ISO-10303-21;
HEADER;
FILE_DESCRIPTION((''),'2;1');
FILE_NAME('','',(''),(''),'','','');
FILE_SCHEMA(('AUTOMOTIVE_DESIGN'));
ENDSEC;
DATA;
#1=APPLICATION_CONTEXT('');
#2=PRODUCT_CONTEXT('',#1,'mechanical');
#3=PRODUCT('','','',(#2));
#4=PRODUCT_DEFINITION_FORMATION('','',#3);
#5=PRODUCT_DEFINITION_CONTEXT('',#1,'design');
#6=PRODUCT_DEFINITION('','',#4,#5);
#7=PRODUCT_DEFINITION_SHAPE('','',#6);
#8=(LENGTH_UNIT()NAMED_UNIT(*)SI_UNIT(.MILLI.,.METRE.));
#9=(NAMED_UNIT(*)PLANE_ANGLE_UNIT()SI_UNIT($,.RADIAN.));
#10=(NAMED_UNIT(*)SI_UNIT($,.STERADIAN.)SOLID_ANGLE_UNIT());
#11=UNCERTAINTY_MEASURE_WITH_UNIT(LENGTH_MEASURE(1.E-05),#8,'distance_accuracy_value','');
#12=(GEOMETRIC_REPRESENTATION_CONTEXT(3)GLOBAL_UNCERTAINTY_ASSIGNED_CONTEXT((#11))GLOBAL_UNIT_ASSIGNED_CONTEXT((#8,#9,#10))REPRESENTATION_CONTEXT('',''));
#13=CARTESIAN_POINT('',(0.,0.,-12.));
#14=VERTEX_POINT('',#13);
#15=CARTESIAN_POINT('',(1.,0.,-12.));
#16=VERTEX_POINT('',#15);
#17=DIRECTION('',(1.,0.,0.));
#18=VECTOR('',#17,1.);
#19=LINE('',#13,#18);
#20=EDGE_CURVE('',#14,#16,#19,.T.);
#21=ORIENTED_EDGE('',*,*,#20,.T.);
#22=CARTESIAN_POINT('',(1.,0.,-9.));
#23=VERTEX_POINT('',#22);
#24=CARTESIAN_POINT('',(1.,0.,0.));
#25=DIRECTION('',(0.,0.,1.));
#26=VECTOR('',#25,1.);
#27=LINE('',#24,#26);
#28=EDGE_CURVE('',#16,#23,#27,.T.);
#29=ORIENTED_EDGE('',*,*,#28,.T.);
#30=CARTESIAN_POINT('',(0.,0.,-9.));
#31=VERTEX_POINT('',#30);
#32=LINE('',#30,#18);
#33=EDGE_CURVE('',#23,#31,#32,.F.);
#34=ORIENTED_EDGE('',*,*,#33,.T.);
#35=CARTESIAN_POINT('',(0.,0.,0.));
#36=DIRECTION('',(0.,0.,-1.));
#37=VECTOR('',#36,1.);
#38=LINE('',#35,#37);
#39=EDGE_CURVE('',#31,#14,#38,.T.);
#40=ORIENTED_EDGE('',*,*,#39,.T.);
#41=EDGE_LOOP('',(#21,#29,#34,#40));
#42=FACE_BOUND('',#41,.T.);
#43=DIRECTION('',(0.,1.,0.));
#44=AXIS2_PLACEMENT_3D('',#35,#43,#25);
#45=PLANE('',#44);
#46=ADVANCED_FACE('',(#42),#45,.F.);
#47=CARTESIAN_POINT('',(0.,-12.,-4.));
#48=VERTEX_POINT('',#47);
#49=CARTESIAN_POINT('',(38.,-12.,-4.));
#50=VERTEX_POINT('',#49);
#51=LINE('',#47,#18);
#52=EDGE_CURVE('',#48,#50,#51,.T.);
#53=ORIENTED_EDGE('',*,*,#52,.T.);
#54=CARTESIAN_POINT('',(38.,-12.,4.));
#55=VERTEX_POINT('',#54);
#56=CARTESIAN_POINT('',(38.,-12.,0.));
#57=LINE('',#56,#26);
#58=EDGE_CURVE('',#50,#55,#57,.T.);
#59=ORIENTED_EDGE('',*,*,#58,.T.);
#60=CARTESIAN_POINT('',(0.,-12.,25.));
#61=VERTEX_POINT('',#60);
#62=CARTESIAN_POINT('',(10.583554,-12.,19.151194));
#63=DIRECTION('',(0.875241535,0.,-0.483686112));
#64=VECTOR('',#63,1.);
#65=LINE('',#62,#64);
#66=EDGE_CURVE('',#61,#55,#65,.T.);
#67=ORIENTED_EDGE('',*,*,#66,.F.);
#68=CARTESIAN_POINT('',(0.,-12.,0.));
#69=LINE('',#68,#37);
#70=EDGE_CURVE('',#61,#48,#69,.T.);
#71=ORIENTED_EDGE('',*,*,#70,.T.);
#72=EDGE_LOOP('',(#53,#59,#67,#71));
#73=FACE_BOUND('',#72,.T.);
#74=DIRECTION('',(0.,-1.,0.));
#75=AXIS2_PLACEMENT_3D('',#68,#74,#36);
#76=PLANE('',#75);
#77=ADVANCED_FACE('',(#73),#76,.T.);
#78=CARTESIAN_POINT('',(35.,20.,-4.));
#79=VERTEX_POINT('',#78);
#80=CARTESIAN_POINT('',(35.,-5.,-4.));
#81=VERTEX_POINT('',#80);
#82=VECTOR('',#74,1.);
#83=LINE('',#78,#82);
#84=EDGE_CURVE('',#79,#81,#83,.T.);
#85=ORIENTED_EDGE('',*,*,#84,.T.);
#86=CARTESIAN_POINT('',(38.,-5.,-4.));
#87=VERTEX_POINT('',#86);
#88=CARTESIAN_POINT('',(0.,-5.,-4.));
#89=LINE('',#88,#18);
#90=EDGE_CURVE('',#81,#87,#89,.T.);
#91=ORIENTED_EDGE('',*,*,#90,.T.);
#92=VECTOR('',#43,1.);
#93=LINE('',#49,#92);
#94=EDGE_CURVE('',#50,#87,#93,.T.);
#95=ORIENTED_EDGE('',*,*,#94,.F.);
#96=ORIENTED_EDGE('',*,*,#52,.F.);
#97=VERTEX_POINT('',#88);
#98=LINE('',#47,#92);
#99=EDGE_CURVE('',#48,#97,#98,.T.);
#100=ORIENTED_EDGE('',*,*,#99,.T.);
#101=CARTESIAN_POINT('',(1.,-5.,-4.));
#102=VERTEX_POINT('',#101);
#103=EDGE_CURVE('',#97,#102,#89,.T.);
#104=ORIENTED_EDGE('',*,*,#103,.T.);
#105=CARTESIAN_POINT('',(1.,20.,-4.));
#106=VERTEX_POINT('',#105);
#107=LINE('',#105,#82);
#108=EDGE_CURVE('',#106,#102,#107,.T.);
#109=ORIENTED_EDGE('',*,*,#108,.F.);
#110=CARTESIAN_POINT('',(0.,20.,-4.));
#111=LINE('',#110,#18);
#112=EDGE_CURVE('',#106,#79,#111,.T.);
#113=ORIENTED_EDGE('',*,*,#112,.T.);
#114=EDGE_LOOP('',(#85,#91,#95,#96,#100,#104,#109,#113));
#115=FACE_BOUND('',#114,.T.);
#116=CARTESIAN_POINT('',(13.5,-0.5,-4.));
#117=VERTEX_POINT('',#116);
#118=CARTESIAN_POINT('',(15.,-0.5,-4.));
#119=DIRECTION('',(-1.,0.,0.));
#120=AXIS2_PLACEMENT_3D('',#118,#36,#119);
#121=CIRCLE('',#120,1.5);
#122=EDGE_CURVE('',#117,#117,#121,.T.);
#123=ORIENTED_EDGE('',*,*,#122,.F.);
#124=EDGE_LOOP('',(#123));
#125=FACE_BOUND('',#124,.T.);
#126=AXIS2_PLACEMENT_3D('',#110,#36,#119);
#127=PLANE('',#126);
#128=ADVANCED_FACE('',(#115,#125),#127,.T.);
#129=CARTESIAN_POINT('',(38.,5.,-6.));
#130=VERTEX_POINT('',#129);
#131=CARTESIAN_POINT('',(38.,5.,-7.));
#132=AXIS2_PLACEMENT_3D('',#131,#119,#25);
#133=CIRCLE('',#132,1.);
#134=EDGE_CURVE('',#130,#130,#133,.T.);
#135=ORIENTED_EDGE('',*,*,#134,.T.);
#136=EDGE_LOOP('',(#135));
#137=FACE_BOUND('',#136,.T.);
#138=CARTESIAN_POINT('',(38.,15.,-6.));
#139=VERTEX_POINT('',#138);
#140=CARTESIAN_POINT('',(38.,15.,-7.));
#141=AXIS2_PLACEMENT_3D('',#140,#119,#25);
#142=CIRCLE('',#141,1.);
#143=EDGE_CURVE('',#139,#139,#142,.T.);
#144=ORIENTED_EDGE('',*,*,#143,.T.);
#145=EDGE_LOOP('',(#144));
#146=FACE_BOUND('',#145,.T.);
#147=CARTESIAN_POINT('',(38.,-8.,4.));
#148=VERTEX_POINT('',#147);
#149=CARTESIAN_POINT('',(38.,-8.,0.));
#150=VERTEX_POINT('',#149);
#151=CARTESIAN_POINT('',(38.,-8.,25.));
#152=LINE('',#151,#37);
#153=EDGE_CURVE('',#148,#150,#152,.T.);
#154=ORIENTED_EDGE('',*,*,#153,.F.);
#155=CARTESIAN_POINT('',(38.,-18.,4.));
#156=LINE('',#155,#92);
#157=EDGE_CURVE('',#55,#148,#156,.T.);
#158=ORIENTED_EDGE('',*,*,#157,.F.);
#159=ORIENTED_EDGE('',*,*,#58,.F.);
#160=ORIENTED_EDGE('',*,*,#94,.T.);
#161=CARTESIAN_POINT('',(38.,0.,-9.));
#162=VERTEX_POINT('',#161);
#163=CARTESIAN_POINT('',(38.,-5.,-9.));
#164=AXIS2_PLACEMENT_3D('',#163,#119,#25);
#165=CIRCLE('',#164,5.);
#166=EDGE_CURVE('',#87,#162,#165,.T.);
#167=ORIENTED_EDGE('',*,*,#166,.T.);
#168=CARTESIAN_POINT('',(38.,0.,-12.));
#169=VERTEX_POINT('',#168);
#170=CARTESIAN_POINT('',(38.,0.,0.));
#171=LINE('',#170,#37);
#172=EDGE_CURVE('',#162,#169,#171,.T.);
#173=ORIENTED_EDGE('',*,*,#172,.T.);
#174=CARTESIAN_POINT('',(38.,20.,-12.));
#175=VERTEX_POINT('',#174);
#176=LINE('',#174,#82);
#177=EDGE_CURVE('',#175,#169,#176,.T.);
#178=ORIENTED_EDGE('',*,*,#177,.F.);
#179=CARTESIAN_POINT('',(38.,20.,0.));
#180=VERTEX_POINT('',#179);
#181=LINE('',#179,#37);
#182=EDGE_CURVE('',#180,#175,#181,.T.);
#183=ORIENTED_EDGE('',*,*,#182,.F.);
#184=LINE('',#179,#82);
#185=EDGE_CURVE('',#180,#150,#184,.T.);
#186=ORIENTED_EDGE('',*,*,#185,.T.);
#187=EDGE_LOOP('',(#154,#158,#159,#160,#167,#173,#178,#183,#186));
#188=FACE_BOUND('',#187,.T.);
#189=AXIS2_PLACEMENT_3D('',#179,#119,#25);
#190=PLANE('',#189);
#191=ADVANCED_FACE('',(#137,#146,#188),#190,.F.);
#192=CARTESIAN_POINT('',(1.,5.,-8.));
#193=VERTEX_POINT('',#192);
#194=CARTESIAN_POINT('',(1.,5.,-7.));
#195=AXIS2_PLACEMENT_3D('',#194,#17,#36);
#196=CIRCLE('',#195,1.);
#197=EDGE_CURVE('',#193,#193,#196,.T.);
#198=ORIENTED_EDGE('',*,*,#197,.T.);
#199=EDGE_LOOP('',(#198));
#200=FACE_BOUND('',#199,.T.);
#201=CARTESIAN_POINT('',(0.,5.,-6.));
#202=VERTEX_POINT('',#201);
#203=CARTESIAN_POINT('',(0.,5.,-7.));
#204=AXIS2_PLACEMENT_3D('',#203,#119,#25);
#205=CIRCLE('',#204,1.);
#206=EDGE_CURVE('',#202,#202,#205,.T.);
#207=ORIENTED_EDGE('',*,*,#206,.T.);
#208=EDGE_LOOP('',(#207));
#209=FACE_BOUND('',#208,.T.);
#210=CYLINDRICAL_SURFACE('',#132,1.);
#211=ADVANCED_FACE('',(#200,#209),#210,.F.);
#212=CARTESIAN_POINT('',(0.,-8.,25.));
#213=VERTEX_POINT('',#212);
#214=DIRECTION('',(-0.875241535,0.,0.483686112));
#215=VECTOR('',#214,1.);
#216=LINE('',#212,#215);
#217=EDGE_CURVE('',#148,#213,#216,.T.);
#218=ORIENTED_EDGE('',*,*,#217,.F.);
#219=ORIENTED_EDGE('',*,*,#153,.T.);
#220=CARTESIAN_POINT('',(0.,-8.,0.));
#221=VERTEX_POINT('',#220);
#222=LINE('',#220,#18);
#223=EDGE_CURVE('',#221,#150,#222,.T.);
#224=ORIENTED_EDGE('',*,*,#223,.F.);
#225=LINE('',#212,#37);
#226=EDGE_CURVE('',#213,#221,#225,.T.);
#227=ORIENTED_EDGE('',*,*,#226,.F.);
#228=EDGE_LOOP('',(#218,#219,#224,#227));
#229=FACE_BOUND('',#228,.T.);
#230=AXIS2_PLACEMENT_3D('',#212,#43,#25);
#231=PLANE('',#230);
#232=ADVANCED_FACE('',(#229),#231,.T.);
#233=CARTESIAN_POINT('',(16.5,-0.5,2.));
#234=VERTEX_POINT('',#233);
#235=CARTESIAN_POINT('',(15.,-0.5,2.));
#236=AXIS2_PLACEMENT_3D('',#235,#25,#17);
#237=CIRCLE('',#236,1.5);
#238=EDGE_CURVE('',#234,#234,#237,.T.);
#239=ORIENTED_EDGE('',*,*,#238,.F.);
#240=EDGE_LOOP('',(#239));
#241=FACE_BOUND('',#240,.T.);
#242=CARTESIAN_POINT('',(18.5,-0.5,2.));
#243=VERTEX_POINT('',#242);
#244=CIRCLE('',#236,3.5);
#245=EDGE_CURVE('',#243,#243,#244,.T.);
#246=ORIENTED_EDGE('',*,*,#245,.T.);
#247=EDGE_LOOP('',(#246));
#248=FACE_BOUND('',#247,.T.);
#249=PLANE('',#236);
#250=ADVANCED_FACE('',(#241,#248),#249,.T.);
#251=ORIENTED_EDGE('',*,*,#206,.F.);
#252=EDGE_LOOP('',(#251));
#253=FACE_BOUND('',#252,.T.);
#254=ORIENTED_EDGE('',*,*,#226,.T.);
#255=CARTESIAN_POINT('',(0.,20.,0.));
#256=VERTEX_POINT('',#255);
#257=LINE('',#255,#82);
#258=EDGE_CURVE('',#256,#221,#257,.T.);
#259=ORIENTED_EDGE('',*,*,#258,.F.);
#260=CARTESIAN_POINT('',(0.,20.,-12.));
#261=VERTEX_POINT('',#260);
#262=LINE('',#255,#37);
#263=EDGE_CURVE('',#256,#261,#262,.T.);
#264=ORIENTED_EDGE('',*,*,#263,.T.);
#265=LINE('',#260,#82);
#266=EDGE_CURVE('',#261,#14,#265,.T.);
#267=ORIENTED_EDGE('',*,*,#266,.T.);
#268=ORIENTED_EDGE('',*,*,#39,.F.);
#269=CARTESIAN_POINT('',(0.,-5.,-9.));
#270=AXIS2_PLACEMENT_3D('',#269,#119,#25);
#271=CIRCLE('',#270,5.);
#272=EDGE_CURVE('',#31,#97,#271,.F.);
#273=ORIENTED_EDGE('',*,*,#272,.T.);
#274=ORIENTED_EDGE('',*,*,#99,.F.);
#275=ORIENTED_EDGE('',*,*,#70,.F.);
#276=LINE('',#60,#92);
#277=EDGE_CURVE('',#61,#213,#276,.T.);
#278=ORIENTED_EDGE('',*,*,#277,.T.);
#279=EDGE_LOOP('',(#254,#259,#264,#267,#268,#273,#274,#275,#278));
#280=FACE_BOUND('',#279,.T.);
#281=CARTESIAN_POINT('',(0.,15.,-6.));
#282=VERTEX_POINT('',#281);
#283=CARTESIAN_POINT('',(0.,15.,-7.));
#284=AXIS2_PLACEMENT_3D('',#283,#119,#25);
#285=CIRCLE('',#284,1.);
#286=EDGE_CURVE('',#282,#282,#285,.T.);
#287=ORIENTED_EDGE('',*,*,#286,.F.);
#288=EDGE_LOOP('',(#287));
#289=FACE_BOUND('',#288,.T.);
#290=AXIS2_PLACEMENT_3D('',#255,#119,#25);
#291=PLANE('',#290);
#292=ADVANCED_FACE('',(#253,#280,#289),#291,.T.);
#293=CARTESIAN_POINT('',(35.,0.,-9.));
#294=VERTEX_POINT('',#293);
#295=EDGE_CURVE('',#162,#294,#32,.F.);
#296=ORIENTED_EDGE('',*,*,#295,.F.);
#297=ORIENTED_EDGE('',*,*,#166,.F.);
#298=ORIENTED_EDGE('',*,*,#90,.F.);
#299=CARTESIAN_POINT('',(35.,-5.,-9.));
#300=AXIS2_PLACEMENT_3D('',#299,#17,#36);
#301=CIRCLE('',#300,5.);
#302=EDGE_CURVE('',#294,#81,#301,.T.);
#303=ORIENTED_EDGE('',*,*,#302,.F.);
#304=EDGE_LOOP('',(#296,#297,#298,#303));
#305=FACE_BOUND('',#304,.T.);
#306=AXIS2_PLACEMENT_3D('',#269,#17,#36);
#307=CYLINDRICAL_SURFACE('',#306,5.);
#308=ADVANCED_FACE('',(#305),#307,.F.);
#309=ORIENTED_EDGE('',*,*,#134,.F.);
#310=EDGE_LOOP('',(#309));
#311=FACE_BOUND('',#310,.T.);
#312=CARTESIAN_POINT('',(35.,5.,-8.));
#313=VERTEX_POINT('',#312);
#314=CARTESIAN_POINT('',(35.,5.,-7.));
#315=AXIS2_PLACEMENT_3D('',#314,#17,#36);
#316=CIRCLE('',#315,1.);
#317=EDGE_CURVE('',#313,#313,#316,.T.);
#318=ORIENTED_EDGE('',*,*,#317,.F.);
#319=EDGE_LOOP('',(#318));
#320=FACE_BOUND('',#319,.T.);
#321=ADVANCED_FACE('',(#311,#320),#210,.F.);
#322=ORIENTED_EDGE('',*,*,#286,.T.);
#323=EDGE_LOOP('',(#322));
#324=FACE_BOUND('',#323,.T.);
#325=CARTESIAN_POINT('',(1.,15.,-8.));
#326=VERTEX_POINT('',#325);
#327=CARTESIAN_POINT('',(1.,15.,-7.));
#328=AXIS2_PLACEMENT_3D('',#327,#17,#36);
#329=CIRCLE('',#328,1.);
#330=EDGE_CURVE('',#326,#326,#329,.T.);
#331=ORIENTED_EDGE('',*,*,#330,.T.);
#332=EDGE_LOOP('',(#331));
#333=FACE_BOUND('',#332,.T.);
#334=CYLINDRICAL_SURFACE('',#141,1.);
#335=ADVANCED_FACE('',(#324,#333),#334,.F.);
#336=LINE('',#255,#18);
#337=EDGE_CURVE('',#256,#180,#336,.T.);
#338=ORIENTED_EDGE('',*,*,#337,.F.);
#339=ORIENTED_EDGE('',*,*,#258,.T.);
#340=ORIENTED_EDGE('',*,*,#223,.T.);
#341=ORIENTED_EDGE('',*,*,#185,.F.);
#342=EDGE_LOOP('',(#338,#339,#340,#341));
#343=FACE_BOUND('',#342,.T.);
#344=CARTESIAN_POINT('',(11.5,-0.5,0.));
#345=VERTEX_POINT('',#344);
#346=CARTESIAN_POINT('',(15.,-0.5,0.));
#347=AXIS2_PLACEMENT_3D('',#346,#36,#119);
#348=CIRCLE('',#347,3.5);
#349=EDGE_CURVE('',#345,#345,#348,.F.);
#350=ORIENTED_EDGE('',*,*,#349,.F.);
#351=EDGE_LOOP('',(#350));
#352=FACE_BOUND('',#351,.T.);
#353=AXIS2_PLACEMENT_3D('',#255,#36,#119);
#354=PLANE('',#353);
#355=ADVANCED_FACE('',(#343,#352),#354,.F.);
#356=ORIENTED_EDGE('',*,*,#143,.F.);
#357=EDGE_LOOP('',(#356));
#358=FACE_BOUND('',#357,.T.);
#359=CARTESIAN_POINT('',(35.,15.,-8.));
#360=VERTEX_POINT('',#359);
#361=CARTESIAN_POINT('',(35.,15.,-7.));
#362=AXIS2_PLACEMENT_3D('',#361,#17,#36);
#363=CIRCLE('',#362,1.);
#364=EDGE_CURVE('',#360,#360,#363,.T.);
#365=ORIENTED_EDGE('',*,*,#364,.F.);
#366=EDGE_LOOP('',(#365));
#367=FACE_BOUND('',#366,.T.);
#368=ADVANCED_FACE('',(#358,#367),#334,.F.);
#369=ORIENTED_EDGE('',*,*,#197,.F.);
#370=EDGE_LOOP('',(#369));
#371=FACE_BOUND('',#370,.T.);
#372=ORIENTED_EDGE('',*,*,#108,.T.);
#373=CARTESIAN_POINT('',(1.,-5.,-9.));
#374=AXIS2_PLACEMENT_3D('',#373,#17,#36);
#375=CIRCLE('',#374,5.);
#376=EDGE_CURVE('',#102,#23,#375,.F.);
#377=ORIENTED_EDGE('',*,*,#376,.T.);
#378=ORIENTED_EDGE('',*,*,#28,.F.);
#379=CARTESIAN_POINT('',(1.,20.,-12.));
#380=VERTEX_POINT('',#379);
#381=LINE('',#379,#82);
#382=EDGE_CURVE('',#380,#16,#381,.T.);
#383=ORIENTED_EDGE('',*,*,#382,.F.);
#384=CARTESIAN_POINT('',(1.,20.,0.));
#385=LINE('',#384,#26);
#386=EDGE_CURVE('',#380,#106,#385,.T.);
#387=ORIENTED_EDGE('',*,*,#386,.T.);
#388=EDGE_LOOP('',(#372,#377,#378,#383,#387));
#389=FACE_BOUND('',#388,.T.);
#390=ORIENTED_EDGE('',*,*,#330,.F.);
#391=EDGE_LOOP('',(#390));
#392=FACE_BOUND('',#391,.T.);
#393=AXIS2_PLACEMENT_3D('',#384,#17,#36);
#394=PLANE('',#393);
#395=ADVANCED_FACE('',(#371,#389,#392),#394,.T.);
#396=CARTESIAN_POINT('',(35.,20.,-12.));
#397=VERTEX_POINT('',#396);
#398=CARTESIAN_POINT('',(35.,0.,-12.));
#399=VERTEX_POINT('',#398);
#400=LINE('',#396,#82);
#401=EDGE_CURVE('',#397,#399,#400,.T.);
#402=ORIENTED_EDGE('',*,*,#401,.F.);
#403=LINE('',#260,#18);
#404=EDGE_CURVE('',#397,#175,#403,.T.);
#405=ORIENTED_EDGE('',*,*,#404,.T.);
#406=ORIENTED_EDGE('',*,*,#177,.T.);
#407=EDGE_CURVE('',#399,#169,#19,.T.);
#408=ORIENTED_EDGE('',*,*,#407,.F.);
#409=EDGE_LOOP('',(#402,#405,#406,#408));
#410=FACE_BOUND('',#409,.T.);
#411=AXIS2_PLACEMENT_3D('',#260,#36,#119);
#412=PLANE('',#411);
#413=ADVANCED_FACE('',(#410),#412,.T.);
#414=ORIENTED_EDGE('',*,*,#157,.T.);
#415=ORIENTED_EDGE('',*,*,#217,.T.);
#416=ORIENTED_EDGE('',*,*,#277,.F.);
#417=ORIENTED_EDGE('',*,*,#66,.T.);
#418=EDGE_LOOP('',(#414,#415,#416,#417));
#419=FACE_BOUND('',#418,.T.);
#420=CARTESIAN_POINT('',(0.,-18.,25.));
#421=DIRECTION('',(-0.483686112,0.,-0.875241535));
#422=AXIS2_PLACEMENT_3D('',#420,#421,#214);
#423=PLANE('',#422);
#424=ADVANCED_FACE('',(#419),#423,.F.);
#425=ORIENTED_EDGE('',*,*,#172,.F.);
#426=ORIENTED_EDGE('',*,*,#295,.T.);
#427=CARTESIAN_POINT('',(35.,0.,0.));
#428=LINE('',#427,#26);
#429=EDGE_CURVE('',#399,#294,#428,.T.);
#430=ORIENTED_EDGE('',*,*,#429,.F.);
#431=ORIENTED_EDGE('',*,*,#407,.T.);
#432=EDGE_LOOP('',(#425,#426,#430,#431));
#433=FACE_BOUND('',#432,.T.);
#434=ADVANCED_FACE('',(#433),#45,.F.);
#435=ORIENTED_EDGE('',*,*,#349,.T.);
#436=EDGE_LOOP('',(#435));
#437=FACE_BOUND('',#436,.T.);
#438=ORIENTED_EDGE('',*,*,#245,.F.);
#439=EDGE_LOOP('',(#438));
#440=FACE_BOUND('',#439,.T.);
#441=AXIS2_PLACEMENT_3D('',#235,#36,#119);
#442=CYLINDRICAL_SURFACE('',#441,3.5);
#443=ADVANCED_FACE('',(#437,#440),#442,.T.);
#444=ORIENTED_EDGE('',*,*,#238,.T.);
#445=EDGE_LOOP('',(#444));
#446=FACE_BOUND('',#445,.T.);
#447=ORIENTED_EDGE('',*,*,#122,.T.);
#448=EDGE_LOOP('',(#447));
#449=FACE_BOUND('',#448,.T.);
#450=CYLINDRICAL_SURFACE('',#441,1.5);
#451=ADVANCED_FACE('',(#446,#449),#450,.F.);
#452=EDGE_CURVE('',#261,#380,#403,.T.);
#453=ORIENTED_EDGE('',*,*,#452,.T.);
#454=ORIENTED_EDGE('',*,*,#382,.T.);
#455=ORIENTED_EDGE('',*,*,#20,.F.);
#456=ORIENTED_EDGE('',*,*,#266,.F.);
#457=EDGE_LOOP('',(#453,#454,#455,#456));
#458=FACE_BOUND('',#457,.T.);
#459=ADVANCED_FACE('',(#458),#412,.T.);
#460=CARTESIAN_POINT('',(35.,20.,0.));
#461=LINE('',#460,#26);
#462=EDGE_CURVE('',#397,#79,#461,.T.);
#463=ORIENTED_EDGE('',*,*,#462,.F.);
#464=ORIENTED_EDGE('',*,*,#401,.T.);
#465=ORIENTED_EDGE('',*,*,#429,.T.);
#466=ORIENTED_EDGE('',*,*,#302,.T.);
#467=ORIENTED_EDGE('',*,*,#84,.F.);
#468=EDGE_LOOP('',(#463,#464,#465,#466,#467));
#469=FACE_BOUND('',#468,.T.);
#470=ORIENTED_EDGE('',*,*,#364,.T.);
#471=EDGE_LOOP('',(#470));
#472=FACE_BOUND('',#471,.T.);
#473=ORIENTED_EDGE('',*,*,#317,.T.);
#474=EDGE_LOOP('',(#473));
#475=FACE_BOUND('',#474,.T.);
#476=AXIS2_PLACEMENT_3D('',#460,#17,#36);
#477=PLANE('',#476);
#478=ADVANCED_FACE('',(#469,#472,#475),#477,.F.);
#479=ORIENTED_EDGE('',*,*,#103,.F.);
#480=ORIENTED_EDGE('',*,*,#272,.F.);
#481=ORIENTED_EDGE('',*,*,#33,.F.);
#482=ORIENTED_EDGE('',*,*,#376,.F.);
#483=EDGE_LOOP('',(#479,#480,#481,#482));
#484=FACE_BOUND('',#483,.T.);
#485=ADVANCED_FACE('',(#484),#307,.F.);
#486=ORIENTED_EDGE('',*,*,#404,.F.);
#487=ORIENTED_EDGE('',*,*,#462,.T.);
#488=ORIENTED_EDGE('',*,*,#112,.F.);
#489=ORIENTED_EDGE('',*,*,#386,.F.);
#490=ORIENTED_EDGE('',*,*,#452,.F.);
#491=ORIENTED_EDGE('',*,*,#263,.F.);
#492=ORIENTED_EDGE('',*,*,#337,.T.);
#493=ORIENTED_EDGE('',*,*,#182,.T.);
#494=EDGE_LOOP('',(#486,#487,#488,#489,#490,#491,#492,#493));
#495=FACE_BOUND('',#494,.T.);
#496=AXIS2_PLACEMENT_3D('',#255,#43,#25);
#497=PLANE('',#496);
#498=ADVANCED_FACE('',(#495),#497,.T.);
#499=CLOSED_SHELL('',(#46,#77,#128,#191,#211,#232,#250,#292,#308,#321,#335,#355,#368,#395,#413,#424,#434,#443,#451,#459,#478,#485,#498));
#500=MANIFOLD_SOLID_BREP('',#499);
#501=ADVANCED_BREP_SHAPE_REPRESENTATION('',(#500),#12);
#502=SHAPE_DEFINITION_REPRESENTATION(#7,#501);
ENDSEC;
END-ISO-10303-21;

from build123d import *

# Parameters (mm, degrees)
BOSS_EXTRUDE1_DEPTH     = 20
SKETCH2_W               = 38
SKETCH2_H               = 4
BOSS_EXTRUDE2_DEPTH     = 12
FILLET1_R               = 5
SKETCH3_W               = 38
SKETCH3_H               = 4
BOSS_EXTRUDE3_DEPTH     = 25
SKETCH4_R               = 3.5
SKETCH4_R_2             = 1.5
BOSS_EXTRUDE4_DEPTH     = 2
SKETCH5_R               = 1.5
CUT_EXTRUDE1_DEPTH      = 49.713447835
CUT_EXTRUDE2_DEPTH      = 10
CUT_EXTRUDE3_DEPTH      = 50.689032995
CUT_EXTRUDE3_DEPTH_BACK = 50.689032995
SKETCH7_R               = 1


with BuildPart() as part:
    # Sketch1 → Boss-Extrude1 (new body)
    with BuildSketch(Plane(origin=(0, 0, 0), x_dir=(1, 0, 0), z_dir=(0, 1, 0))):
        Polygon((0, 12), (0, 0), (38, 0), (38, 12), (35, 12), (35, 4), (1, 4), (1, 12), align=None)
    extrude(amount=BOSS_EXTRUDE1_DEPTH)

    # Sketch2 → Boss-Extrude2 (add)
    with BuildSketch(Plane.XZ):
        with Locations((19, -2)):
            Rectangle(SKETCH2_W, SKETCH2_H)
    extrude(amount=BOSS_EXTRUDE2_DEPTH)

    # Fillet1
    fillet1_edges = [part.edges().sort_by_distance(p)[0] for p in [
        (36.5, 0, -4),
        (0.5, 0, -4),
    ]]
    fillet(fillet1_edges, radius=FILLET1_R)

    # Sketch3 → Boss-Extrude3 (add)
    with BuildSketch(Plane.XY):
        with Locations((19, -10)):
            Rectangle(SKETCH3_W, SKETCH3_H)
    extrude(amount=BOSS_EXTRUDE3_DEPTH)

    # Sketch4 → Boss-Extrude4 (add)
    with BuildSketch(Plane.XY):
        with Locations(Location((15, -0.5, 0), (0, 0, 180))):
            Circle(SKETCH4_R)
        with Locations((15, -0.5)):
            Circle(SKETCH4_R_2, mode=Mode.SUBTRACT)
    extrude(amount=BOSS_EXTRUDE4_DEPTH)

    # Sketch5 → Cut-Extrude1 (cut, through all)
    with BuildSketch(Plane.XY.offset(2)):
        with Locations(Location((15, -0.5, 0), (0, 0, 180))):
            Circle(SKETCH5_R)
    extrude(amount=-CUT_EXTRUDE1_DEPTH, mode=Mode.SUBTRACT)

    # Sketch6 → Cut-Extrude2 (cut)
    with BuildSketch(Plane(origin=(0, -8, 0), x_dir=(1, 0, 0), z_dir=(0, 1, 0))):
        Polygon((0, -25), (38, -4), (38, -25), align=None)
    extrude(amount=-CUT_EXTRUDE2_DEPTH, mode=Mode.SUBTRACT)

    # Sketch7 → Cut-Extrude3 (cut, two sides: drawn at the far end of the back side and taken through both)
    with BuildSketch(Plane.ZY.offset(-CUT_EXTRUDE3_DEPTH_BACK)):
        with Locations((-7, 15)):
            Circle(SKETCH7_R)
        with Locations((-7, 5)):
            Circle(SKETCH7_R)
    extrude(amount=CUT_EXTRUDE3_DEPTH + CUT_EXTRUDE3_DEPTH_BACK, mode=Mode.SUBTRACT)


solid = part.part
